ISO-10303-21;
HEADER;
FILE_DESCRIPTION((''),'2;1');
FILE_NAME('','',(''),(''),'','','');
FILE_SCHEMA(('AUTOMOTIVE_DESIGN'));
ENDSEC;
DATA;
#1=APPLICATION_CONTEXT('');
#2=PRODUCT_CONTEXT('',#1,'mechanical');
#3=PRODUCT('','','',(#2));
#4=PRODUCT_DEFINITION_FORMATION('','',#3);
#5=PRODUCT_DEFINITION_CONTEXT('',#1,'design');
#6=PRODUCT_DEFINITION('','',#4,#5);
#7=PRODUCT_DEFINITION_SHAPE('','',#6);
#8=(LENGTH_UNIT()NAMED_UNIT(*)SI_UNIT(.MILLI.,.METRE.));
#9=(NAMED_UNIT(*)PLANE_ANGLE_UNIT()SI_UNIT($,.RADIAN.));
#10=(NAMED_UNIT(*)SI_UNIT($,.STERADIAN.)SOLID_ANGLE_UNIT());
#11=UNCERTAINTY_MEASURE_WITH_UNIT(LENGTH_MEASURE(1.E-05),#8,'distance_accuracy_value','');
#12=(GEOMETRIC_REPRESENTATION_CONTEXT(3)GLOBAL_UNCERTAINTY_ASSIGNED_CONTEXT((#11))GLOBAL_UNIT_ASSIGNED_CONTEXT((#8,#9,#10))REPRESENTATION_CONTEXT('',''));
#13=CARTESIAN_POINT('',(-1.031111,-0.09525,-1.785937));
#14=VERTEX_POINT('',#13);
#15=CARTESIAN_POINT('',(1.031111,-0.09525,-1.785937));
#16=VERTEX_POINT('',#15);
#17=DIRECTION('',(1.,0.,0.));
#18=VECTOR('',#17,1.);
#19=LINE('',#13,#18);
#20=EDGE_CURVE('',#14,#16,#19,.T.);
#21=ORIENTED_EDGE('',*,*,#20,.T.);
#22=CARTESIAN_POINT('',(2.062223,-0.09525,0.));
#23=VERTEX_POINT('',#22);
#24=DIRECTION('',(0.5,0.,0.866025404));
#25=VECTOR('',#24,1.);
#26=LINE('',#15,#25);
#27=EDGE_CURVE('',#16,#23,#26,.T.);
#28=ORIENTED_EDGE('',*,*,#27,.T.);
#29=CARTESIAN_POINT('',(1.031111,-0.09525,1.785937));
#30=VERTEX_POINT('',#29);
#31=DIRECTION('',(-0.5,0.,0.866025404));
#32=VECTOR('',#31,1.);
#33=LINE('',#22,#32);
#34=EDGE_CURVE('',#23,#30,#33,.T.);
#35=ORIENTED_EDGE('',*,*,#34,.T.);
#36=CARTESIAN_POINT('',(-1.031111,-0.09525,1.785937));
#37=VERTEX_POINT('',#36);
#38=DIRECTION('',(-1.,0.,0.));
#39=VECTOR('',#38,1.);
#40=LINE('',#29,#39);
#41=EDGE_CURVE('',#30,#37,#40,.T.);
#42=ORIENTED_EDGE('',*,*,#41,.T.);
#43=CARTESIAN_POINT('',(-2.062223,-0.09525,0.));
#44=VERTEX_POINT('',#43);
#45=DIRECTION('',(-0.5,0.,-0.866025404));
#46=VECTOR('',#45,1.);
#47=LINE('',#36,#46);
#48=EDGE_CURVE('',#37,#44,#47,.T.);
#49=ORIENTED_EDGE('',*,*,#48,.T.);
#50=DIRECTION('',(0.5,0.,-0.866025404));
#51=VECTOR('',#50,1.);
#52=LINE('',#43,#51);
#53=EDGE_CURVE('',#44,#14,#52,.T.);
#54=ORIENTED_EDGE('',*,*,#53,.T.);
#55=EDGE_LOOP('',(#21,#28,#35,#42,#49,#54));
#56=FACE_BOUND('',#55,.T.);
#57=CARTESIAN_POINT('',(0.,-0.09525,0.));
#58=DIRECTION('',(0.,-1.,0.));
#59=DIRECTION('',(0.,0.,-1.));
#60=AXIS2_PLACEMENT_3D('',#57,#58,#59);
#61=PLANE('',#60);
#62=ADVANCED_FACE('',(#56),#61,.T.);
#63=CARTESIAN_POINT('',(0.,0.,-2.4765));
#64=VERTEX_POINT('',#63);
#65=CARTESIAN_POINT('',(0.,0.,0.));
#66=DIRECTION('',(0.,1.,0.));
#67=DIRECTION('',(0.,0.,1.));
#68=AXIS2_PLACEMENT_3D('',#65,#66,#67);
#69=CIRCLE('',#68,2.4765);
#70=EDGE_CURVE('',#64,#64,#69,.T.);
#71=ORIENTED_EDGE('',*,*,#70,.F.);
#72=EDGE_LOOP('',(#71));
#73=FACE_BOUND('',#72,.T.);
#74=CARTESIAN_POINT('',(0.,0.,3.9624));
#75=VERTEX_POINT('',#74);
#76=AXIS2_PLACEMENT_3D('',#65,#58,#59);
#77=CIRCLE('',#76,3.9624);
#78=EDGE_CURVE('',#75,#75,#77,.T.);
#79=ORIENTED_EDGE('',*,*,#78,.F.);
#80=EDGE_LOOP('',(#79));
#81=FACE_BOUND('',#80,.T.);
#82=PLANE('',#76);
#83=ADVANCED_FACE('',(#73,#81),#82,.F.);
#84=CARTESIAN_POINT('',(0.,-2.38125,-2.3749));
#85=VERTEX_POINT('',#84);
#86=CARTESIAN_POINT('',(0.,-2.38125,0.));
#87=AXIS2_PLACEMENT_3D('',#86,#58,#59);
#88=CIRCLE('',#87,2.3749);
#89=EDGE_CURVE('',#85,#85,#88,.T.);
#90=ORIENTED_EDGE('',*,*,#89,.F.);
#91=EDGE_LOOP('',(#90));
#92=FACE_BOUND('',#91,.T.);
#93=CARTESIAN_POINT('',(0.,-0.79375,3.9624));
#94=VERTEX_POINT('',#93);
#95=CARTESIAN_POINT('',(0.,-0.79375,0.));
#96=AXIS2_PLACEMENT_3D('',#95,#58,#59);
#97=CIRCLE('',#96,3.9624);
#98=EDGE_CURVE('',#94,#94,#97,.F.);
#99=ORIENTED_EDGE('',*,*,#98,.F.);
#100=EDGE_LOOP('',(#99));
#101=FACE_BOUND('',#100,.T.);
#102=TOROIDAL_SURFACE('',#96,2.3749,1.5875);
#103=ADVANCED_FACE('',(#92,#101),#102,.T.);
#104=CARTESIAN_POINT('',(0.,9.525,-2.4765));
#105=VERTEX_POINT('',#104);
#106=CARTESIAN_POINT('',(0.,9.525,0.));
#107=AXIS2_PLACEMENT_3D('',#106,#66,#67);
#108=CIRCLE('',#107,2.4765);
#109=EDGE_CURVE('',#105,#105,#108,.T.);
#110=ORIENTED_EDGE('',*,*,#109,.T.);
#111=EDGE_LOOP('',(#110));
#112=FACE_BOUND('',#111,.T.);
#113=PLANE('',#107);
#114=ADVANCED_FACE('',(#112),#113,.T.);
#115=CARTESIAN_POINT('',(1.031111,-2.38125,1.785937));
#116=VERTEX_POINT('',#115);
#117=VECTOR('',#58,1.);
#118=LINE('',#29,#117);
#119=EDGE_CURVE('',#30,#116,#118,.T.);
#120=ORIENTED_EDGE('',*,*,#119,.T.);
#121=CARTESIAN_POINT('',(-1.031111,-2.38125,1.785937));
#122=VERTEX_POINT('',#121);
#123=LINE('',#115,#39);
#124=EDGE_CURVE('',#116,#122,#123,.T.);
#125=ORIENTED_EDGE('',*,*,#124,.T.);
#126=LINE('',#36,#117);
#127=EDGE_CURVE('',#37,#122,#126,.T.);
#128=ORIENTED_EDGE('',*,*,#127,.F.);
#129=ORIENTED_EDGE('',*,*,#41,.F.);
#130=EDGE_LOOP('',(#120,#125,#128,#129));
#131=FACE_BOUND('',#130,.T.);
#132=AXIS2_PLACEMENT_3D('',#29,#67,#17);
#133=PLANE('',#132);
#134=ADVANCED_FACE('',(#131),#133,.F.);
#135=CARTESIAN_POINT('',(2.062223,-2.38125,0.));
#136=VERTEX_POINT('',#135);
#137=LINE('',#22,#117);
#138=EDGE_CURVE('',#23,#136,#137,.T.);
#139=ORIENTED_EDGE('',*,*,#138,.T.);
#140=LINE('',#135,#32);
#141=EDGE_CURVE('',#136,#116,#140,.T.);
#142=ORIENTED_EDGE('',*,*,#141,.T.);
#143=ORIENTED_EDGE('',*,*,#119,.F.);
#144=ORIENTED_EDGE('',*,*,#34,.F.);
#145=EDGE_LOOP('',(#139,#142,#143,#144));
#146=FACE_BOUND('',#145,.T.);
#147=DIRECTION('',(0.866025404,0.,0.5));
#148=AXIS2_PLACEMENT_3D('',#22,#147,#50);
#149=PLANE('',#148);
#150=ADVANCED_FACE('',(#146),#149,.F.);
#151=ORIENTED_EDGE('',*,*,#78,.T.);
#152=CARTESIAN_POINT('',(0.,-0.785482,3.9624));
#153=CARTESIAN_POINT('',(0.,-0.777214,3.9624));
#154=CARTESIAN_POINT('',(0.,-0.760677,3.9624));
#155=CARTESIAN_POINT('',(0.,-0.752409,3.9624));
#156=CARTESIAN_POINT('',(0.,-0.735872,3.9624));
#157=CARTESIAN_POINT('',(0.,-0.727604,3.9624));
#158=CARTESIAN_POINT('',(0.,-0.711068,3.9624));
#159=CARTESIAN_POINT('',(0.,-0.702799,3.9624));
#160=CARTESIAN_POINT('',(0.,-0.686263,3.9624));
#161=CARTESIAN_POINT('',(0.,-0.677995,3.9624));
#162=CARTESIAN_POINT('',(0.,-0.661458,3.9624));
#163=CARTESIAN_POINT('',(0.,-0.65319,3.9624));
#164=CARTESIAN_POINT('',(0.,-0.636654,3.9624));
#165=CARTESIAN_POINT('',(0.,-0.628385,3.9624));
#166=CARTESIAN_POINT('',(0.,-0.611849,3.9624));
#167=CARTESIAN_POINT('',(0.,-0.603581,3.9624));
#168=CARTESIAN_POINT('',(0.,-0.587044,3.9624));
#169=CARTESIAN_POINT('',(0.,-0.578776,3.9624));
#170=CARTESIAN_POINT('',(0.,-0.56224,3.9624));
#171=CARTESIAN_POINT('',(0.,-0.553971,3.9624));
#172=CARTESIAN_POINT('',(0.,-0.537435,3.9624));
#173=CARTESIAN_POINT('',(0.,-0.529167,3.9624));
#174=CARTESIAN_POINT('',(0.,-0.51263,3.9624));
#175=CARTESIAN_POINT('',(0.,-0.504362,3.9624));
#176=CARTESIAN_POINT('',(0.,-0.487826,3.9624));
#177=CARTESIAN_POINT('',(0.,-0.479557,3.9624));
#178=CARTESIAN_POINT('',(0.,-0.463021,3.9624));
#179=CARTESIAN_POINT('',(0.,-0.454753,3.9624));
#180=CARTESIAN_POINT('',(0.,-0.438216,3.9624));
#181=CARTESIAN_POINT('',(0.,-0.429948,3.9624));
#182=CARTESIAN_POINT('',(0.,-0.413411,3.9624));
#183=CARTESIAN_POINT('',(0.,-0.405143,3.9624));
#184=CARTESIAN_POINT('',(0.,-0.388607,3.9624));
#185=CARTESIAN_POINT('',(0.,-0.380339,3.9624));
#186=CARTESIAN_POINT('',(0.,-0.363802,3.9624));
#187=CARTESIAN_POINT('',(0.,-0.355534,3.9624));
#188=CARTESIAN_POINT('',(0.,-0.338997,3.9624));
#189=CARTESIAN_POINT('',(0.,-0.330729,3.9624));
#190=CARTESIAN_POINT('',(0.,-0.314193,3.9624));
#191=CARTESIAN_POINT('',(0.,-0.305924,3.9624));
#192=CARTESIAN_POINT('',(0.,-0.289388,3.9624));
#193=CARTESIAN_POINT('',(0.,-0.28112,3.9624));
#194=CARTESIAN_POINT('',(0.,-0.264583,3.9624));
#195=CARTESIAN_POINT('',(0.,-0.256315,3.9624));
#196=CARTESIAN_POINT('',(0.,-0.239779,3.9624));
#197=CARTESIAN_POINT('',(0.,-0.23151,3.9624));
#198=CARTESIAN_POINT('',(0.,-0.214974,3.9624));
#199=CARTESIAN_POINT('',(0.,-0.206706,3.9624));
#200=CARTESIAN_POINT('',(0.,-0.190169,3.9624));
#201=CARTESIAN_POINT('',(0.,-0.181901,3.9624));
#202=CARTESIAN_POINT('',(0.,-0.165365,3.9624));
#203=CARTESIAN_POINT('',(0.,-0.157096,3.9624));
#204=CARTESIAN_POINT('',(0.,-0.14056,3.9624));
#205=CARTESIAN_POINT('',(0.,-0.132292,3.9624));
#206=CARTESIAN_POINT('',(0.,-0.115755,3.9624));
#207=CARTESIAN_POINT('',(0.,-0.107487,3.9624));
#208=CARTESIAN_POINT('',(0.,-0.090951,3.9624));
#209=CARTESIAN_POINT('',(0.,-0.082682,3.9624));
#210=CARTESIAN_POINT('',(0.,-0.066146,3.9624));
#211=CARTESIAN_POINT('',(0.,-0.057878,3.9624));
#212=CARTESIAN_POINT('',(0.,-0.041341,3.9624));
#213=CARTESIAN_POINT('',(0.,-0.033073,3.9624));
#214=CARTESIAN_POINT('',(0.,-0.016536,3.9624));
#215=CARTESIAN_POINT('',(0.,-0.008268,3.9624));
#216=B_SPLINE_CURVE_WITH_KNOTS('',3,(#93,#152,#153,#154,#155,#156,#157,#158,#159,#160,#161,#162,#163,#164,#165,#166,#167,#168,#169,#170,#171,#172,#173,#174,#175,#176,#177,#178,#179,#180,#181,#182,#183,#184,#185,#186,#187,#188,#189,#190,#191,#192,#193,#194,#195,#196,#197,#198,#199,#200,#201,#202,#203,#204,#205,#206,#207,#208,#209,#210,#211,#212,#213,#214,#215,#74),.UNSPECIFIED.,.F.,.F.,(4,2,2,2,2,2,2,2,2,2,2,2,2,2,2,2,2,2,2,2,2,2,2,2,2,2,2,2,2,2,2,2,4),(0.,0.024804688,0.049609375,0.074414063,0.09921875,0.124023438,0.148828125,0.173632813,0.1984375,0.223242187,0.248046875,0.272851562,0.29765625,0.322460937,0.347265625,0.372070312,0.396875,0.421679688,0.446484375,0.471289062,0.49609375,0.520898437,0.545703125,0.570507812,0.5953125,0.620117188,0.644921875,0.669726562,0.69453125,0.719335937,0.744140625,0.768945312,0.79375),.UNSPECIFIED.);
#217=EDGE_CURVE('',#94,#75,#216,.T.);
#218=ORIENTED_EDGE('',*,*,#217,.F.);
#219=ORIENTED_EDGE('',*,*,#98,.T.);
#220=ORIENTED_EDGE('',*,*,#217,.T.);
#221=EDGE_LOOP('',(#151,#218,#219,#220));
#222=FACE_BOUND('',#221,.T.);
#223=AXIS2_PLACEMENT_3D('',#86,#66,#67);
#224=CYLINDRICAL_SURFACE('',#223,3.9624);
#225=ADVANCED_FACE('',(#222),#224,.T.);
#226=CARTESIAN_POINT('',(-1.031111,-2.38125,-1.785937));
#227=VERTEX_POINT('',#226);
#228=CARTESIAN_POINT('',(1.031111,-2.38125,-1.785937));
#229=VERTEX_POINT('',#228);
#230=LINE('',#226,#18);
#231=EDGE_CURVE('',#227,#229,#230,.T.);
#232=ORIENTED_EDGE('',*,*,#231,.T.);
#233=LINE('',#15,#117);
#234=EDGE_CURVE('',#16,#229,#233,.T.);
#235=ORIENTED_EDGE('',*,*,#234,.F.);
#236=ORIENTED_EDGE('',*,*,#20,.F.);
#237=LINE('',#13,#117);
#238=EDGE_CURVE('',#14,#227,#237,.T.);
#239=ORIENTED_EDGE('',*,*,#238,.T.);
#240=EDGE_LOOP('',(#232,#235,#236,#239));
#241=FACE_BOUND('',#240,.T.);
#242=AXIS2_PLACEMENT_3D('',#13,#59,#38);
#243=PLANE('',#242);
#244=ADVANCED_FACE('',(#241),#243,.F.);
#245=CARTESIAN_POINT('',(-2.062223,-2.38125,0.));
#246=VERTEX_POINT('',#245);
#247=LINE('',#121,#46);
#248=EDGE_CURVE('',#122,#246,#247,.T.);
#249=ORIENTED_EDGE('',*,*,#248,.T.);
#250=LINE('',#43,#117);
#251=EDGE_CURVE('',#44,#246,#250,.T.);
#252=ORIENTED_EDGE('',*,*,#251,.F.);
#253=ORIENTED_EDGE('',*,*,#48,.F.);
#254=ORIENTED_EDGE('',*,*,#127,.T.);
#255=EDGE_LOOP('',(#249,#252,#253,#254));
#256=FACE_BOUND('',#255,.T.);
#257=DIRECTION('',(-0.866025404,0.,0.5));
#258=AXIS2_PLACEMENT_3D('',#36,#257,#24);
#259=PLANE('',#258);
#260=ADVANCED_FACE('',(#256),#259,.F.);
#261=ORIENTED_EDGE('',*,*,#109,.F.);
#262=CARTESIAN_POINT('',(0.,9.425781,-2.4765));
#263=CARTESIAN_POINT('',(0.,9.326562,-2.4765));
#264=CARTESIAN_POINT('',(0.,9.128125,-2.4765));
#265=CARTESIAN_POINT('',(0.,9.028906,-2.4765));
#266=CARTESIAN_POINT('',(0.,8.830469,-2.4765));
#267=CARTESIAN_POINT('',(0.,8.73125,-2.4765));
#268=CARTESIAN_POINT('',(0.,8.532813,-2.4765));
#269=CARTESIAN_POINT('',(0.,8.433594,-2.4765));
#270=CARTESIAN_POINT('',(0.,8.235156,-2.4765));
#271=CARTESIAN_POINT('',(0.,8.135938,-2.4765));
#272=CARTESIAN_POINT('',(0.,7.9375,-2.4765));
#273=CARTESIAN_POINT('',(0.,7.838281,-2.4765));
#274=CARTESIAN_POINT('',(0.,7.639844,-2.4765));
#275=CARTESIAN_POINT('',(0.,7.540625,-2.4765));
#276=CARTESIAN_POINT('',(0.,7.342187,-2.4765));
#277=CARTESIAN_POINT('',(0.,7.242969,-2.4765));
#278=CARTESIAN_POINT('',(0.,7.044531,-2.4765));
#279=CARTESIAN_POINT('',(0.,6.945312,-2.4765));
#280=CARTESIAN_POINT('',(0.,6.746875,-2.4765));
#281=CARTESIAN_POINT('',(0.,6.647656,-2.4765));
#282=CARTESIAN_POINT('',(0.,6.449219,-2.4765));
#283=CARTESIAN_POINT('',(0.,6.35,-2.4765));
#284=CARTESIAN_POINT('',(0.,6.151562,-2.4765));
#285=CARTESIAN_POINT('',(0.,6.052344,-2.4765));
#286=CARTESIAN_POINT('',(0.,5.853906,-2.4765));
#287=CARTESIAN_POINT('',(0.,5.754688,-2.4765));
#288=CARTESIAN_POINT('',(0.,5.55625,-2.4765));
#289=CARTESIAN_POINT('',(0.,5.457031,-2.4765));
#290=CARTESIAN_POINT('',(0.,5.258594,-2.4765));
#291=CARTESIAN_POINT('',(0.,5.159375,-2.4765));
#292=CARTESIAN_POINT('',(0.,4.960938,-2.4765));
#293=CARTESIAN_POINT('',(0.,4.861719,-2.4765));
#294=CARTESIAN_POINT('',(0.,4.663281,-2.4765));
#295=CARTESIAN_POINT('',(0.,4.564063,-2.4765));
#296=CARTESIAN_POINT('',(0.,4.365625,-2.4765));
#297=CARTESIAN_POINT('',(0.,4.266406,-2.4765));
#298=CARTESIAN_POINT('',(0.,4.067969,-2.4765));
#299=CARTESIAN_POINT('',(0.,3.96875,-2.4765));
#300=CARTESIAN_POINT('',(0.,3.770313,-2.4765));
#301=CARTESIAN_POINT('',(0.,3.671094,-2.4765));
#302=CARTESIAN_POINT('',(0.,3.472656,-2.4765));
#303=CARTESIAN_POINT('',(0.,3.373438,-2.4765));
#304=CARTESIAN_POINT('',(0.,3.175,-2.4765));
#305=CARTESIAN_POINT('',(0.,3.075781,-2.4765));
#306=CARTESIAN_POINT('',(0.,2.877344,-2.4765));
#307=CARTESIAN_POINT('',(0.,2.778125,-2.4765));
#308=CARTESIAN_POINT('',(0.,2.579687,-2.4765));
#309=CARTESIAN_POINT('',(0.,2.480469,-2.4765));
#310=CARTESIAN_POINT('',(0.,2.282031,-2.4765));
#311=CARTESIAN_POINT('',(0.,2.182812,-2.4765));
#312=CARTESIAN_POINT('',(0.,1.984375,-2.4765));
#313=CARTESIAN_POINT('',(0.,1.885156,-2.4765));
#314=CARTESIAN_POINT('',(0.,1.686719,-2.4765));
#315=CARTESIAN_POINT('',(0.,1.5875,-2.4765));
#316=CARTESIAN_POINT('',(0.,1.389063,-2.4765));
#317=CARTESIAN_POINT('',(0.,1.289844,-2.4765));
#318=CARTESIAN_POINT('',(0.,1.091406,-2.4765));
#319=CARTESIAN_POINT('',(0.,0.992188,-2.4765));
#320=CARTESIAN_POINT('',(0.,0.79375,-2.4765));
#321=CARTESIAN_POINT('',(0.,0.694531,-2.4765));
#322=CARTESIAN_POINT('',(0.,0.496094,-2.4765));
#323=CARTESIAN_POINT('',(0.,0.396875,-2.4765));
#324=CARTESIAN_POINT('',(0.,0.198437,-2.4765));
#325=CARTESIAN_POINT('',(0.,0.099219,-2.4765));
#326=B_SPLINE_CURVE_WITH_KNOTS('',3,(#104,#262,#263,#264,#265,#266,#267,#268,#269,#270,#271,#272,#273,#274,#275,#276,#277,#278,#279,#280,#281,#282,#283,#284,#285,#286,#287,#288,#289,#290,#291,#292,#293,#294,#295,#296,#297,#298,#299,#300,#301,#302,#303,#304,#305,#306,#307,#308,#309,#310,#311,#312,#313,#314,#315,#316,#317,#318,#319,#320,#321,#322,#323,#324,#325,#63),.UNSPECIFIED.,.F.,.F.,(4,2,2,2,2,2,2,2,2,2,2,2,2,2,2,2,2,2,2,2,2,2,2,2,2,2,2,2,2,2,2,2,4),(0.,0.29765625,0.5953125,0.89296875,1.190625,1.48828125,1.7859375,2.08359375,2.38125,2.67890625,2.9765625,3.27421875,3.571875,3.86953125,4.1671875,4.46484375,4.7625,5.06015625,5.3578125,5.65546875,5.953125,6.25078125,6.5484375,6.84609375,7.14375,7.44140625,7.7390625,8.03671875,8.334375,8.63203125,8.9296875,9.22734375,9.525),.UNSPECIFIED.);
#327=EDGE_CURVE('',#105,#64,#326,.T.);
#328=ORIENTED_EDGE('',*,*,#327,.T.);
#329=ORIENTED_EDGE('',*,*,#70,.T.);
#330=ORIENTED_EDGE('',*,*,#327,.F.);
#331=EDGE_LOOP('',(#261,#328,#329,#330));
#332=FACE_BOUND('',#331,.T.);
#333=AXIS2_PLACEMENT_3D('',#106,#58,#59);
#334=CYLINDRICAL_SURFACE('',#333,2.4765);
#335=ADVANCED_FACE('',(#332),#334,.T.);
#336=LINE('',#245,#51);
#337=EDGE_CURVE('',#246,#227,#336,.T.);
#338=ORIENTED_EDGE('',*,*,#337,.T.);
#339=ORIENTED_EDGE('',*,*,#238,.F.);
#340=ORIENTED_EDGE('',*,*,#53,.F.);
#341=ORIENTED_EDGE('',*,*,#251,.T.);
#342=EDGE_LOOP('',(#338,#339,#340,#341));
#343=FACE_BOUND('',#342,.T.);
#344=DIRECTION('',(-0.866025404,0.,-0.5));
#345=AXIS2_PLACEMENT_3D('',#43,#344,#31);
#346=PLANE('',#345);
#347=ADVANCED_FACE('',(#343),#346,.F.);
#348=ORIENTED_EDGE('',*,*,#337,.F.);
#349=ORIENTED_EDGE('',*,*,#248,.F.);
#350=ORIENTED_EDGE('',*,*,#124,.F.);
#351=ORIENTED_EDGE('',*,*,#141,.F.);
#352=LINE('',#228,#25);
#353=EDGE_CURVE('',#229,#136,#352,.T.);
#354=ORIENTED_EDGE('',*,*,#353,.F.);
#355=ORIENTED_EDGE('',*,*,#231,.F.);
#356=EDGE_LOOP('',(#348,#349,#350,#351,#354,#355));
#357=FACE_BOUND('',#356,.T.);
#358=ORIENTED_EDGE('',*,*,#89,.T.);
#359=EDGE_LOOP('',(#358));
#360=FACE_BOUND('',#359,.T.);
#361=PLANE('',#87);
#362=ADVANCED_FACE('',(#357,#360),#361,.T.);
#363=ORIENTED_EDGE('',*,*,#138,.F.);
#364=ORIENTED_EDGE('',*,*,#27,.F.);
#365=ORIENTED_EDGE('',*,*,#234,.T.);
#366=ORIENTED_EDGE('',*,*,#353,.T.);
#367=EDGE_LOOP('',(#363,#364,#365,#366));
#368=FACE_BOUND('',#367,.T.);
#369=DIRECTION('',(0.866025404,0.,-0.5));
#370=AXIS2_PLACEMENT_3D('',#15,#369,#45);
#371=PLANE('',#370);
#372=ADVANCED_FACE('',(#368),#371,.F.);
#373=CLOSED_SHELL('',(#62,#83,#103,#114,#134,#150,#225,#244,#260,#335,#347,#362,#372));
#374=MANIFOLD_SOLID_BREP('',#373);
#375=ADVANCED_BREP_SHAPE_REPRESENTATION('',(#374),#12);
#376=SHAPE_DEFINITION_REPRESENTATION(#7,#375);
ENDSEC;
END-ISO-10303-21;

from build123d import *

# Parameters (mm, degrees)
SKETCH1_R           = 2.4765
BOSS_EXTRUDE1_DEPTH = 9.525
SKETCH2_R           = 3.9624
BOSS_EXTRUDE2_DEPTH = 2.38125
CUT_EXTRUDE1_DEPTH  = 2.286
FILLET1_R           = 1.5875


with BuildPart() as part:
    # Sketch1 → Boss-Extrude1 (new body)
    with BuildSketch(Plane(origin=(0, 0, 0), x_dir=(1, 0, 0), z_dir=(0, 1, 0))):
        with Locations(Location((0, 0, 0), (0, 0, 90))):
            Circle(SKETCH1_R)
    extrude(amount=BOSS_EXTRUDE1_DEPTH)

    # Sketch2 → Boss-Extrude2 (add)
    with BuildSketch(Plane.XZ):
        with Locations(Location((0, 0, 0), (0, 0, 90))):
            Circle(SKETCH2_R)
    extrude(amount=BOSS_EXTRUDE2_DEPTH)

    # Sketch3 → Cut-Extrude1 (cut)
    with BuildSketch(Plane.XZ.offset(2.38125)):
        Polygon((2.062222993, 0), (1.031111496, 1.7859375), (-1.031111496, 1.7859375), (-2.062222993, 0), (-1.031111496, -1.7859375), (1.031111496, -1.7859375), align=None)
    extrude(amount=-CUT_EXTRUDE1_DEPTH, mode=Mode.SUBTRACT)

    # Fillet1
    fillet1_edges = [part.edges().sort_by_distance(p)[0] for p in [
        (0, -2.38125, -3.9624),
    ]]
    fillet(fillet1_edges, radius=FILLET1_R)


solid = part.part
